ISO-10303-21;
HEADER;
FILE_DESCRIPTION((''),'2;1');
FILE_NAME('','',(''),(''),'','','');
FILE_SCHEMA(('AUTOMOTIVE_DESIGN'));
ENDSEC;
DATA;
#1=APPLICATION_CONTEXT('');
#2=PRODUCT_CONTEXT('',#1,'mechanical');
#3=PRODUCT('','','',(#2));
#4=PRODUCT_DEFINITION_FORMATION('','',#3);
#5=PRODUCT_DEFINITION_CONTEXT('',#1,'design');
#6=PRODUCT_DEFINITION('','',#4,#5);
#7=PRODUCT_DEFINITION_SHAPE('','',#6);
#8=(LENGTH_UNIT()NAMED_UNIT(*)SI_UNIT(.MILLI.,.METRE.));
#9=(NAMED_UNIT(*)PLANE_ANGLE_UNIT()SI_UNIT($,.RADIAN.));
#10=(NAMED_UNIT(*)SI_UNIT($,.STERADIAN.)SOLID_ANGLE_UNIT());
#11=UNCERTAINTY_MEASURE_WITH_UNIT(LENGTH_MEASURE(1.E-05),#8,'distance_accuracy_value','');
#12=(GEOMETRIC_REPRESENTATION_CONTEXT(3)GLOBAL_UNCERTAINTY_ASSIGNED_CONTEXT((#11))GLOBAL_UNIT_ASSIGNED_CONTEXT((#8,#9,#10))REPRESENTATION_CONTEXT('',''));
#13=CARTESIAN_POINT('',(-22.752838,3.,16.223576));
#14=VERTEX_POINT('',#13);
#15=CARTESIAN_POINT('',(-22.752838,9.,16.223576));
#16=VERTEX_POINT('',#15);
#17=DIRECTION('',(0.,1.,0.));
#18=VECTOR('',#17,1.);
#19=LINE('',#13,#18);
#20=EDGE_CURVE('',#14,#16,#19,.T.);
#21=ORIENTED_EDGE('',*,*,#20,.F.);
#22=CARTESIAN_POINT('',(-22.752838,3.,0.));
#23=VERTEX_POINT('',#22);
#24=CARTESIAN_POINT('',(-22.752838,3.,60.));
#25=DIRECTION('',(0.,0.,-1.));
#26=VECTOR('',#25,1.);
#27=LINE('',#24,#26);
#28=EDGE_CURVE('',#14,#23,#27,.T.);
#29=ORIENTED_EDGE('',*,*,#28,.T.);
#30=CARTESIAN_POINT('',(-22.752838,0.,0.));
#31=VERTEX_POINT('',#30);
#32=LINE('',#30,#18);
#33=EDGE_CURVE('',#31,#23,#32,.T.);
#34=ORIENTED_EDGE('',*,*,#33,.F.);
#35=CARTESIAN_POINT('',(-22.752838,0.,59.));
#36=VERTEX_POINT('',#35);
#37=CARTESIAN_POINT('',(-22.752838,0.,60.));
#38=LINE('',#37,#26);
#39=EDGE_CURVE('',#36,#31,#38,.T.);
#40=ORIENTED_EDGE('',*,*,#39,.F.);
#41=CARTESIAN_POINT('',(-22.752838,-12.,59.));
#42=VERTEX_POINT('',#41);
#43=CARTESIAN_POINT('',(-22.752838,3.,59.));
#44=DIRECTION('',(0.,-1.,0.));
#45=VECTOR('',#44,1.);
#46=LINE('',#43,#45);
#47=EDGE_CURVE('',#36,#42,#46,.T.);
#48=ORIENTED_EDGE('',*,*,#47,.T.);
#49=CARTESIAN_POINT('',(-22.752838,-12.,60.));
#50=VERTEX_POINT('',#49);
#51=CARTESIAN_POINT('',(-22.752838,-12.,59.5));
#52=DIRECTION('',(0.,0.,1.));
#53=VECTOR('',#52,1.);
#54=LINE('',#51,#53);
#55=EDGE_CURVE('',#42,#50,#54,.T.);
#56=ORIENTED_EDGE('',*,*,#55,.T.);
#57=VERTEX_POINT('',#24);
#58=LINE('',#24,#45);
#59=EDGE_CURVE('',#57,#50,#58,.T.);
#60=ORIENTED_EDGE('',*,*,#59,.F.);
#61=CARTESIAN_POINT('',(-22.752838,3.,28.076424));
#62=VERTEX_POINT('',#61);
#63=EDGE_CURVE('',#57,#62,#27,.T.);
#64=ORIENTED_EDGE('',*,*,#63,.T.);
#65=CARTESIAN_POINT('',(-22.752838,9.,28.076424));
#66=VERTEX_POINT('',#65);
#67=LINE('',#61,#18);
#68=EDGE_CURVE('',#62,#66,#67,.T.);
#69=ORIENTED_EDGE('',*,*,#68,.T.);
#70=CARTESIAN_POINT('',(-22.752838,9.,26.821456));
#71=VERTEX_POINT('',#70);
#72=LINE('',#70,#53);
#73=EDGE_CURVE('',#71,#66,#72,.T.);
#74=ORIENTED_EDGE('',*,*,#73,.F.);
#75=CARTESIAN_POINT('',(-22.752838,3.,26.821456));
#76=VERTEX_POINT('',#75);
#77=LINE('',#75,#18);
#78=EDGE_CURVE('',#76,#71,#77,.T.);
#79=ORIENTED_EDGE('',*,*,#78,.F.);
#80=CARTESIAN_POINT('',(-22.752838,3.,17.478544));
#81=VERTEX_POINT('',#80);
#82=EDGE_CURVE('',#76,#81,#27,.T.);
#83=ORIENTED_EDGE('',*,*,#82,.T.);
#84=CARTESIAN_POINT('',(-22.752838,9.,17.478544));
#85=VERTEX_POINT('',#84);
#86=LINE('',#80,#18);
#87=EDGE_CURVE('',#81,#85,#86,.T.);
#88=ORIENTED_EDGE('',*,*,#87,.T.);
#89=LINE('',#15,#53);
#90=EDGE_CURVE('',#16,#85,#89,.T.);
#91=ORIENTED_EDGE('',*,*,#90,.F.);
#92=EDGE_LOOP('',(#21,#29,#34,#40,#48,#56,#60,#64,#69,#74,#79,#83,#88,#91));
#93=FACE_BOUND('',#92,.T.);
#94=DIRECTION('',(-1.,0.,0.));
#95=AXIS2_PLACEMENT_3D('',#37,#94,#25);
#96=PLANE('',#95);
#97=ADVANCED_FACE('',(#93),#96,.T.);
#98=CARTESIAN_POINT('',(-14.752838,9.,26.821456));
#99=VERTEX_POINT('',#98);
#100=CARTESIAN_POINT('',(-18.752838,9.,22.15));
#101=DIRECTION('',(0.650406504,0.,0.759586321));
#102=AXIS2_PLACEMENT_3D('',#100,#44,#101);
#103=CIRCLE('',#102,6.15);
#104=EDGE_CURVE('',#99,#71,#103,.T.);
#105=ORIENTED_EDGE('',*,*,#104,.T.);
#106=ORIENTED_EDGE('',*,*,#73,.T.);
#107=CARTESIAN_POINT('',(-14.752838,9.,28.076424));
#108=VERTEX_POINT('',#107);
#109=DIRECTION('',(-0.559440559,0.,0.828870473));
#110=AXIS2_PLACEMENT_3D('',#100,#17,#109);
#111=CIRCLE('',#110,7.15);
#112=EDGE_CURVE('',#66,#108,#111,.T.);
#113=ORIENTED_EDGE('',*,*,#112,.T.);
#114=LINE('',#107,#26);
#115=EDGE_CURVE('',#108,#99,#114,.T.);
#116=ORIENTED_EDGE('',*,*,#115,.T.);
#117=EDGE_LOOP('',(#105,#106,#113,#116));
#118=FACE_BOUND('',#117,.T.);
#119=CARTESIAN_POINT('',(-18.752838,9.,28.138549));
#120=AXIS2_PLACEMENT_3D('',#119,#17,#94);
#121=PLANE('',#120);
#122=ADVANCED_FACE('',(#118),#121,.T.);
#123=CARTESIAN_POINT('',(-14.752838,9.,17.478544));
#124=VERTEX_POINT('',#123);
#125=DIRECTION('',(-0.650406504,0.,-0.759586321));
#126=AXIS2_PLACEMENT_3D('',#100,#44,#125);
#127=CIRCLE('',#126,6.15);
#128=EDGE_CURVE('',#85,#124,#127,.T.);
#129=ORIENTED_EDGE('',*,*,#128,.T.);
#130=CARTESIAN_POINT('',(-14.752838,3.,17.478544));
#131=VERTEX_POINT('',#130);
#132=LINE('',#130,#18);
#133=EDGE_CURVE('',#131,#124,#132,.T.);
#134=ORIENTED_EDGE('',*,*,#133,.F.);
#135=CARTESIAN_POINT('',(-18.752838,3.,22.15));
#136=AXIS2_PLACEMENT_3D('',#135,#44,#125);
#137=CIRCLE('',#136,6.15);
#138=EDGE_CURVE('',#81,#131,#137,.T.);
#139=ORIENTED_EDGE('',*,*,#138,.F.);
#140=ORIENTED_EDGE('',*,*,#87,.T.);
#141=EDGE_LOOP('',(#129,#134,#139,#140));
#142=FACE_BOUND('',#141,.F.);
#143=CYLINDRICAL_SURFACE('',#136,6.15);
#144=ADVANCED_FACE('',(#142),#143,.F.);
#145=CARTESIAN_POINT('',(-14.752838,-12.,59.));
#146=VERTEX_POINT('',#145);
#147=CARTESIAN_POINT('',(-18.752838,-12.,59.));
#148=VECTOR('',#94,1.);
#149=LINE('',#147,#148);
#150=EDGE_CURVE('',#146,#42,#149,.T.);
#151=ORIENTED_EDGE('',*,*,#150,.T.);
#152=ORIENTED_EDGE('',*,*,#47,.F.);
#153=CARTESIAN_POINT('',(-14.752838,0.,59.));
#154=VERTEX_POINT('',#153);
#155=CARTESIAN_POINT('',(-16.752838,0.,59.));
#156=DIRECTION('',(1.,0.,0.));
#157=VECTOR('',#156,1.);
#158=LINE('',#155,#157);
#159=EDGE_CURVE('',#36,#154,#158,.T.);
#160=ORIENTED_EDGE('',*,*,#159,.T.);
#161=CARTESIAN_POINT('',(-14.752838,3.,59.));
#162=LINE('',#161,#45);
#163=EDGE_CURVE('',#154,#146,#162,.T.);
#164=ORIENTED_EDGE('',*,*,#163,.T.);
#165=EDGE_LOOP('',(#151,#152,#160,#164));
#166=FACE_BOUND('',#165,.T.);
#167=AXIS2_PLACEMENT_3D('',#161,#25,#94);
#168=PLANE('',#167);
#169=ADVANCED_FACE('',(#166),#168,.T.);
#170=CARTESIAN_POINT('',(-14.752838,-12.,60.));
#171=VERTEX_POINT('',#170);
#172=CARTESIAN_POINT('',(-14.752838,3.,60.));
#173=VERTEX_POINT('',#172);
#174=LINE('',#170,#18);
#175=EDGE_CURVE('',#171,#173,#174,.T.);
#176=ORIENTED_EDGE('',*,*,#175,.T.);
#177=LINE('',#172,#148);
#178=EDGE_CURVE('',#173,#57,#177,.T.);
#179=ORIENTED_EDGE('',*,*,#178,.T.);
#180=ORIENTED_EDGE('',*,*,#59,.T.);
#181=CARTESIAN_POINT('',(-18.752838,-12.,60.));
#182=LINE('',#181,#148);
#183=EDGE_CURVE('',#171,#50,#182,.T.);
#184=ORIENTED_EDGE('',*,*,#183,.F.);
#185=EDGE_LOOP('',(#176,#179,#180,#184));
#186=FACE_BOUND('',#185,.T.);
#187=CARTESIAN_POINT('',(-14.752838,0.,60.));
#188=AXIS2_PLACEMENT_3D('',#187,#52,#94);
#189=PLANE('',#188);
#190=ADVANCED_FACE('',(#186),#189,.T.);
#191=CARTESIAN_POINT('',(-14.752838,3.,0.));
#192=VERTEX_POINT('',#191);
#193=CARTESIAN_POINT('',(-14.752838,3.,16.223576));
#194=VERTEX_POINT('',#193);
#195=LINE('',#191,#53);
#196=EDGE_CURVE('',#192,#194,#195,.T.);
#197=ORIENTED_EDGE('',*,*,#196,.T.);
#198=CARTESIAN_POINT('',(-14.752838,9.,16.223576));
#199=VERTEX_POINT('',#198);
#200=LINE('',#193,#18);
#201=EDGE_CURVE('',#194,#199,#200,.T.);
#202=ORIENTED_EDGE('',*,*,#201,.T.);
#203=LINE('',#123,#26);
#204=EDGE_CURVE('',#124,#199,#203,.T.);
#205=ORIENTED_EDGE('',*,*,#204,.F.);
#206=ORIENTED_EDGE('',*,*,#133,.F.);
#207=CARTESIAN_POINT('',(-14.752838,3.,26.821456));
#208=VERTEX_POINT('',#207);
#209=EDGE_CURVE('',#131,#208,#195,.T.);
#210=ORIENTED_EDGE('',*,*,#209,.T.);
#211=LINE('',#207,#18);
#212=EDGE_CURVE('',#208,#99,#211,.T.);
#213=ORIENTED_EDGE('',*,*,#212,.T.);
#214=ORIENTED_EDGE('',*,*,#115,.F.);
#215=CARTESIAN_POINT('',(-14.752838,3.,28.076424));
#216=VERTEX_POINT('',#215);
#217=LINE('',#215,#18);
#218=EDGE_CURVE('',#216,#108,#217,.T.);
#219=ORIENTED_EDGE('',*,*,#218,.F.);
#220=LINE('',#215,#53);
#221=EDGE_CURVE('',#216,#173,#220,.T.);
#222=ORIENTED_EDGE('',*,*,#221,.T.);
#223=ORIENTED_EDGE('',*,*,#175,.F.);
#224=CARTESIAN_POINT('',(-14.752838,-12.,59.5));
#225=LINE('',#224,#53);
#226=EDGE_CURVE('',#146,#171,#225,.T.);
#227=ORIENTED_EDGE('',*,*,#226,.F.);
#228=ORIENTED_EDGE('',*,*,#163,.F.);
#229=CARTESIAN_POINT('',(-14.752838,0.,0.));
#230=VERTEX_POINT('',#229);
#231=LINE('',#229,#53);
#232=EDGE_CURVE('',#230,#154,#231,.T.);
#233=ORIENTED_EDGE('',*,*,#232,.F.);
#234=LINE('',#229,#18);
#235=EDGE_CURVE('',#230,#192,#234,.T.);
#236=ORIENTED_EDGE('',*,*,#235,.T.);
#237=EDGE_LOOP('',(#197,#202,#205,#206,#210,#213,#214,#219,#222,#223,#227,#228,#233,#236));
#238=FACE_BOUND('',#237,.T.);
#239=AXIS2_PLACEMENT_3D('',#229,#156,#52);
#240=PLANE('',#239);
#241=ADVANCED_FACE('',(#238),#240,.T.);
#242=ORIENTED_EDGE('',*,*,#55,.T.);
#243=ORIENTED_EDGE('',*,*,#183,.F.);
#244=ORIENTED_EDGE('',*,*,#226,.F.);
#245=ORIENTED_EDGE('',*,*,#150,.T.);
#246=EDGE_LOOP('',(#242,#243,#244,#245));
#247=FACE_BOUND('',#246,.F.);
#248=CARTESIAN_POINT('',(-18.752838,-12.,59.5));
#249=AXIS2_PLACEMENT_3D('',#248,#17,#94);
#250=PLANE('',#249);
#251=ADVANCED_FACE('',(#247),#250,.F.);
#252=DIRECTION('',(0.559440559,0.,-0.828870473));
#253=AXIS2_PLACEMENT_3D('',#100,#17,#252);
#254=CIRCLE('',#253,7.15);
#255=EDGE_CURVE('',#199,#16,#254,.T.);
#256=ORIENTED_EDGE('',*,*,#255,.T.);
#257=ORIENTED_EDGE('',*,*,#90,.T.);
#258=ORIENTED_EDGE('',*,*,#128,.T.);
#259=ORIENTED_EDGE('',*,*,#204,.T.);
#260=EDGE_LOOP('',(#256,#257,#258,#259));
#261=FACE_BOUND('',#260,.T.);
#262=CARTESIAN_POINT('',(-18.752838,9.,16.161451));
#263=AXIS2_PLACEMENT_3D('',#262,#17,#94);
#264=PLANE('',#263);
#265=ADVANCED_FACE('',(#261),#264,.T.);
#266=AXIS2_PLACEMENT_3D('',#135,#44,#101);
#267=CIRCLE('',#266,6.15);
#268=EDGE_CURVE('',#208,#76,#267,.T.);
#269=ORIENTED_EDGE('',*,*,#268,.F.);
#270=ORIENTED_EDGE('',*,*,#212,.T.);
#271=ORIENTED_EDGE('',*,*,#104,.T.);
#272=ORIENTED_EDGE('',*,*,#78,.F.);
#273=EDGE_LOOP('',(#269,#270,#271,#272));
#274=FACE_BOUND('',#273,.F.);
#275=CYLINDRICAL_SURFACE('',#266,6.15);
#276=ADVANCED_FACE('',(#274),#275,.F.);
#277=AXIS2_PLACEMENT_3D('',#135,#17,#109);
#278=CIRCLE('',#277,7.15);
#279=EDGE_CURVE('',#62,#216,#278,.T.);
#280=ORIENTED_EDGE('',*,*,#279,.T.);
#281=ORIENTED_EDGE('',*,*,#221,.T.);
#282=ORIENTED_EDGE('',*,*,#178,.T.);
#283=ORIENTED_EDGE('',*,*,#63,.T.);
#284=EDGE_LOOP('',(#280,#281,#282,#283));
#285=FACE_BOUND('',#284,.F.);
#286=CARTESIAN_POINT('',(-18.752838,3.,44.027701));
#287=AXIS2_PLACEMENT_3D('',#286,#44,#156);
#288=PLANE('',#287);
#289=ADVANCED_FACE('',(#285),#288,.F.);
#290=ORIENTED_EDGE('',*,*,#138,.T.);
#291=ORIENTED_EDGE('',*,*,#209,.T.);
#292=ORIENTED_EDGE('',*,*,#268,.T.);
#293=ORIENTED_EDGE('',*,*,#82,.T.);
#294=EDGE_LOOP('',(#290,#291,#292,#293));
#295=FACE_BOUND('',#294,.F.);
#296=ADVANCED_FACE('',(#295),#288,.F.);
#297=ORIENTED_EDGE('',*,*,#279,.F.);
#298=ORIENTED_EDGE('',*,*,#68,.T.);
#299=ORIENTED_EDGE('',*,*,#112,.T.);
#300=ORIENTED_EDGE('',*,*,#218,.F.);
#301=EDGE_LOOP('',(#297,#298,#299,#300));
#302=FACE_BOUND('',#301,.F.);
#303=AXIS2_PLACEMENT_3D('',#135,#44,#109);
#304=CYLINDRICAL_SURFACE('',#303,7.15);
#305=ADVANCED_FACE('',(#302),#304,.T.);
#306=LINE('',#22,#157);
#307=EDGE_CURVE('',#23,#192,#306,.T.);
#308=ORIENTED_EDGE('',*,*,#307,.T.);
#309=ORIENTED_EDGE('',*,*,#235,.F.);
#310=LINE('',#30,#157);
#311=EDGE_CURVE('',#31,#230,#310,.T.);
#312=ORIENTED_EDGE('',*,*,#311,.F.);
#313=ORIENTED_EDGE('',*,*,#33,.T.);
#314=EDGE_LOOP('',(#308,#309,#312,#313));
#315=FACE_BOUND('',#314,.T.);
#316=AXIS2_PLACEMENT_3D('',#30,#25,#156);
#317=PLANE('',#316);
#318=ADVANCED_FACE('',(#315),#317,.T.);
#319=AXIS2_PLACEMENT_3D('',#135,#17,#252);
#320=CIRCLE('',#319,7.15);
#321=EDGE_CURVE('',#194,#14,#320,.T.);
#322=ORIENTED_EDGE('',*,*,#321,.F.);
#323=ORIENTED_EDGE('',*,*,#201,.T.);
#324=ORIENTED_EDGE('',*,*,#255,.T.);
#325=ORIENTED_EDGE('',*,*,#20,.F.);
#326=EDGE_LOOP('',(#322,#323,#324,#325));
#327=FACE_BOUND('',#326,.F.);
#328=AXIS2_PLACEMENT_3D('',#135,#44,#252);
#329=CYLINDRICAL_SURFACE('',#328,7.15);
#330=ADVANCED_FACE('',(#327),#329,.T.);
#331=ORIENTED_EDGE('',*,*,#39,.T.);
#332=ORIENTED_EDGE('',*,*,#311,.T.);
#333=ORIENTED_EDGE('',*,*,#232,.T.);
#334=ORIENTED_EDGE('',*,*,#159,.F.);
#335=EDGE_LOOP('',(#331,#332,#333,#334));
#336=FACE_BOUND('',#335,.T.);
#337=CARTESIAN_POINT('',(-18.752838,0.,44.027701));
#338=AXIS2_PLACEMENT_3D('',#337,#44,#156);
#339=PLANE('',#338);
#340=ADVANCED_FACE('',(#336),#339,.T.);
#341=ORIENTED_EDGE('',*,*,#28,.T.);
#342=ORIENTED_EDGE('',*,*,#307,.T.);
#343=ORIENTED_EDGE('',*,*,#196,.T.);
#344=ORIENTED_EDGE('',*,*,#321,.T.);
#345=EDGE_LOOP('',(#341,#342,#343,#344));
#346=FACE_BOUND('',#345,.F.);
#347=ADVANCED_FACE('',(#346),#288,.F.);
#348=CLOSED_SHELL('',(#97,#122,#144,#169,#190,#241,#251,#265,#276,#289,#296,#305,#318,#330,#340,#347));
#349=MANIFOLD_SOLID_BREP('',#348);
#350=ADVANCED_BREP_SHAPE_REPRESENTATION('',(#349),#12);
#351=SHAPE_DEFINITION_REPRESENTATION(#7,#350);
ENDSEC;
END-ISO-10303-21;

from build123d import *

# Parameters (mm, degrees)
F1_DEPTH = 3
F3_DEPTH = 6
F2_W     = 8
F2_H     = 1
F4_DEPTH = 15


with BuildPart() as f1:
    # F0 (on Front) → F1 (new body)
    with BuildSketch(Plane.XZ):
        with BuildLine():
            ThreePointArc((-22.7528382093, 28.0764238795), (-18.7528382093, 29.3), (-14.7528382093, 28.0764238795))
            Line((-14.7528382093, 28.0764238795), (-14.7528382093, 60))
            Line((-14.7528382093, 60), (-22.7528382093, 60))
            Line((-22.7528382093, 60), (-22.7528382093, 28.0764238795))
        make_face()
        with BuildLine():
            ThreePointArc((-22.7528382093, 16.2235761205), (-18.7528382093, 15), (-14.7528382093, 16.2235761205))
            Line((-14.7528382093, 16.2235761205), (-14.7528382093, 28.0764238795))
            ThreePointArc((-14.7528382093, 28.0764238795), (-18.7528382093, 29.3), (-22.7528382093, 28.0764238795))
            Line((-22.7528382093, 28.0764238795), (-22.7528382093, 16.2235761205))
        make_face()
        with BuildLine():
            Line((-22.7528382093, 0), (-14.7528382093, 0))
            Line((-14.7528382093, 0), (-14.7528382093, 16.2235761205))
            ThreePointArc((-14.7528382093, 16.2235761205), (-18.7528382093, 15), (-22.7528382093, 16.2235761205))
            Line((-22.7528382093, 16.2235761205), (-22.7528382093, 0))
        make_face()
    extrude(amount=-F1_DEPTH)

    # F2 (on face) → F3 (join)
    with BuildSketch(Plane(origin=(0, 3, 0), x_dir=(-1, 0, 0), z_dir=(0, 1, 0))):
        with BuildLine():
            ThreePointArc((22.7528382093, 28.0764238795), (18.7528382093, 29.3), (14.7528382093, 28.0764238795))
            Line((14.7528382093, 28.0764238795), (14.7528382093, 26.8214558758))
            ThreePointArc((14.7528382093, 26.8214558758), (18.7528382093, 28.3), (22.7528382093, 26.8214558758))
            Line((22.7528382093, 26.8214558758), (22.7528382093, 28.0764238795))
        make_face()
        with BuildLine():
            Line((14.7528382093, 17.4785441242), (14.7528382093, 16.2235761205))
            ThreePointArc((14.7528382093, 16.2235761205), (18.7528382093, 15), (22.7528382093, 16.2235761205))
            Line((22.7528382093, 16.2235761205), (22.7528382093, 17.4785441242))
            ThreePointArc((22.7528382093, 17.4785441242), (18.7528382093, 16), (14.7528382093, 17.4785441242))
        make_face()
    extrude(amount=F3_DEPTH)

    # F2 (on face) → F4 (join)
    with BuildSketch(Plane(origin=(0, 3, 0), x_dir=(-1, 0, 0), z_dir=(0, 1, 0))):
        with Locations((18.7528382093, 59.5)):
            Rectangle(F2_W, F2_H)
    extrude(amount=-F4_DEPTH)


solid = f1.part
